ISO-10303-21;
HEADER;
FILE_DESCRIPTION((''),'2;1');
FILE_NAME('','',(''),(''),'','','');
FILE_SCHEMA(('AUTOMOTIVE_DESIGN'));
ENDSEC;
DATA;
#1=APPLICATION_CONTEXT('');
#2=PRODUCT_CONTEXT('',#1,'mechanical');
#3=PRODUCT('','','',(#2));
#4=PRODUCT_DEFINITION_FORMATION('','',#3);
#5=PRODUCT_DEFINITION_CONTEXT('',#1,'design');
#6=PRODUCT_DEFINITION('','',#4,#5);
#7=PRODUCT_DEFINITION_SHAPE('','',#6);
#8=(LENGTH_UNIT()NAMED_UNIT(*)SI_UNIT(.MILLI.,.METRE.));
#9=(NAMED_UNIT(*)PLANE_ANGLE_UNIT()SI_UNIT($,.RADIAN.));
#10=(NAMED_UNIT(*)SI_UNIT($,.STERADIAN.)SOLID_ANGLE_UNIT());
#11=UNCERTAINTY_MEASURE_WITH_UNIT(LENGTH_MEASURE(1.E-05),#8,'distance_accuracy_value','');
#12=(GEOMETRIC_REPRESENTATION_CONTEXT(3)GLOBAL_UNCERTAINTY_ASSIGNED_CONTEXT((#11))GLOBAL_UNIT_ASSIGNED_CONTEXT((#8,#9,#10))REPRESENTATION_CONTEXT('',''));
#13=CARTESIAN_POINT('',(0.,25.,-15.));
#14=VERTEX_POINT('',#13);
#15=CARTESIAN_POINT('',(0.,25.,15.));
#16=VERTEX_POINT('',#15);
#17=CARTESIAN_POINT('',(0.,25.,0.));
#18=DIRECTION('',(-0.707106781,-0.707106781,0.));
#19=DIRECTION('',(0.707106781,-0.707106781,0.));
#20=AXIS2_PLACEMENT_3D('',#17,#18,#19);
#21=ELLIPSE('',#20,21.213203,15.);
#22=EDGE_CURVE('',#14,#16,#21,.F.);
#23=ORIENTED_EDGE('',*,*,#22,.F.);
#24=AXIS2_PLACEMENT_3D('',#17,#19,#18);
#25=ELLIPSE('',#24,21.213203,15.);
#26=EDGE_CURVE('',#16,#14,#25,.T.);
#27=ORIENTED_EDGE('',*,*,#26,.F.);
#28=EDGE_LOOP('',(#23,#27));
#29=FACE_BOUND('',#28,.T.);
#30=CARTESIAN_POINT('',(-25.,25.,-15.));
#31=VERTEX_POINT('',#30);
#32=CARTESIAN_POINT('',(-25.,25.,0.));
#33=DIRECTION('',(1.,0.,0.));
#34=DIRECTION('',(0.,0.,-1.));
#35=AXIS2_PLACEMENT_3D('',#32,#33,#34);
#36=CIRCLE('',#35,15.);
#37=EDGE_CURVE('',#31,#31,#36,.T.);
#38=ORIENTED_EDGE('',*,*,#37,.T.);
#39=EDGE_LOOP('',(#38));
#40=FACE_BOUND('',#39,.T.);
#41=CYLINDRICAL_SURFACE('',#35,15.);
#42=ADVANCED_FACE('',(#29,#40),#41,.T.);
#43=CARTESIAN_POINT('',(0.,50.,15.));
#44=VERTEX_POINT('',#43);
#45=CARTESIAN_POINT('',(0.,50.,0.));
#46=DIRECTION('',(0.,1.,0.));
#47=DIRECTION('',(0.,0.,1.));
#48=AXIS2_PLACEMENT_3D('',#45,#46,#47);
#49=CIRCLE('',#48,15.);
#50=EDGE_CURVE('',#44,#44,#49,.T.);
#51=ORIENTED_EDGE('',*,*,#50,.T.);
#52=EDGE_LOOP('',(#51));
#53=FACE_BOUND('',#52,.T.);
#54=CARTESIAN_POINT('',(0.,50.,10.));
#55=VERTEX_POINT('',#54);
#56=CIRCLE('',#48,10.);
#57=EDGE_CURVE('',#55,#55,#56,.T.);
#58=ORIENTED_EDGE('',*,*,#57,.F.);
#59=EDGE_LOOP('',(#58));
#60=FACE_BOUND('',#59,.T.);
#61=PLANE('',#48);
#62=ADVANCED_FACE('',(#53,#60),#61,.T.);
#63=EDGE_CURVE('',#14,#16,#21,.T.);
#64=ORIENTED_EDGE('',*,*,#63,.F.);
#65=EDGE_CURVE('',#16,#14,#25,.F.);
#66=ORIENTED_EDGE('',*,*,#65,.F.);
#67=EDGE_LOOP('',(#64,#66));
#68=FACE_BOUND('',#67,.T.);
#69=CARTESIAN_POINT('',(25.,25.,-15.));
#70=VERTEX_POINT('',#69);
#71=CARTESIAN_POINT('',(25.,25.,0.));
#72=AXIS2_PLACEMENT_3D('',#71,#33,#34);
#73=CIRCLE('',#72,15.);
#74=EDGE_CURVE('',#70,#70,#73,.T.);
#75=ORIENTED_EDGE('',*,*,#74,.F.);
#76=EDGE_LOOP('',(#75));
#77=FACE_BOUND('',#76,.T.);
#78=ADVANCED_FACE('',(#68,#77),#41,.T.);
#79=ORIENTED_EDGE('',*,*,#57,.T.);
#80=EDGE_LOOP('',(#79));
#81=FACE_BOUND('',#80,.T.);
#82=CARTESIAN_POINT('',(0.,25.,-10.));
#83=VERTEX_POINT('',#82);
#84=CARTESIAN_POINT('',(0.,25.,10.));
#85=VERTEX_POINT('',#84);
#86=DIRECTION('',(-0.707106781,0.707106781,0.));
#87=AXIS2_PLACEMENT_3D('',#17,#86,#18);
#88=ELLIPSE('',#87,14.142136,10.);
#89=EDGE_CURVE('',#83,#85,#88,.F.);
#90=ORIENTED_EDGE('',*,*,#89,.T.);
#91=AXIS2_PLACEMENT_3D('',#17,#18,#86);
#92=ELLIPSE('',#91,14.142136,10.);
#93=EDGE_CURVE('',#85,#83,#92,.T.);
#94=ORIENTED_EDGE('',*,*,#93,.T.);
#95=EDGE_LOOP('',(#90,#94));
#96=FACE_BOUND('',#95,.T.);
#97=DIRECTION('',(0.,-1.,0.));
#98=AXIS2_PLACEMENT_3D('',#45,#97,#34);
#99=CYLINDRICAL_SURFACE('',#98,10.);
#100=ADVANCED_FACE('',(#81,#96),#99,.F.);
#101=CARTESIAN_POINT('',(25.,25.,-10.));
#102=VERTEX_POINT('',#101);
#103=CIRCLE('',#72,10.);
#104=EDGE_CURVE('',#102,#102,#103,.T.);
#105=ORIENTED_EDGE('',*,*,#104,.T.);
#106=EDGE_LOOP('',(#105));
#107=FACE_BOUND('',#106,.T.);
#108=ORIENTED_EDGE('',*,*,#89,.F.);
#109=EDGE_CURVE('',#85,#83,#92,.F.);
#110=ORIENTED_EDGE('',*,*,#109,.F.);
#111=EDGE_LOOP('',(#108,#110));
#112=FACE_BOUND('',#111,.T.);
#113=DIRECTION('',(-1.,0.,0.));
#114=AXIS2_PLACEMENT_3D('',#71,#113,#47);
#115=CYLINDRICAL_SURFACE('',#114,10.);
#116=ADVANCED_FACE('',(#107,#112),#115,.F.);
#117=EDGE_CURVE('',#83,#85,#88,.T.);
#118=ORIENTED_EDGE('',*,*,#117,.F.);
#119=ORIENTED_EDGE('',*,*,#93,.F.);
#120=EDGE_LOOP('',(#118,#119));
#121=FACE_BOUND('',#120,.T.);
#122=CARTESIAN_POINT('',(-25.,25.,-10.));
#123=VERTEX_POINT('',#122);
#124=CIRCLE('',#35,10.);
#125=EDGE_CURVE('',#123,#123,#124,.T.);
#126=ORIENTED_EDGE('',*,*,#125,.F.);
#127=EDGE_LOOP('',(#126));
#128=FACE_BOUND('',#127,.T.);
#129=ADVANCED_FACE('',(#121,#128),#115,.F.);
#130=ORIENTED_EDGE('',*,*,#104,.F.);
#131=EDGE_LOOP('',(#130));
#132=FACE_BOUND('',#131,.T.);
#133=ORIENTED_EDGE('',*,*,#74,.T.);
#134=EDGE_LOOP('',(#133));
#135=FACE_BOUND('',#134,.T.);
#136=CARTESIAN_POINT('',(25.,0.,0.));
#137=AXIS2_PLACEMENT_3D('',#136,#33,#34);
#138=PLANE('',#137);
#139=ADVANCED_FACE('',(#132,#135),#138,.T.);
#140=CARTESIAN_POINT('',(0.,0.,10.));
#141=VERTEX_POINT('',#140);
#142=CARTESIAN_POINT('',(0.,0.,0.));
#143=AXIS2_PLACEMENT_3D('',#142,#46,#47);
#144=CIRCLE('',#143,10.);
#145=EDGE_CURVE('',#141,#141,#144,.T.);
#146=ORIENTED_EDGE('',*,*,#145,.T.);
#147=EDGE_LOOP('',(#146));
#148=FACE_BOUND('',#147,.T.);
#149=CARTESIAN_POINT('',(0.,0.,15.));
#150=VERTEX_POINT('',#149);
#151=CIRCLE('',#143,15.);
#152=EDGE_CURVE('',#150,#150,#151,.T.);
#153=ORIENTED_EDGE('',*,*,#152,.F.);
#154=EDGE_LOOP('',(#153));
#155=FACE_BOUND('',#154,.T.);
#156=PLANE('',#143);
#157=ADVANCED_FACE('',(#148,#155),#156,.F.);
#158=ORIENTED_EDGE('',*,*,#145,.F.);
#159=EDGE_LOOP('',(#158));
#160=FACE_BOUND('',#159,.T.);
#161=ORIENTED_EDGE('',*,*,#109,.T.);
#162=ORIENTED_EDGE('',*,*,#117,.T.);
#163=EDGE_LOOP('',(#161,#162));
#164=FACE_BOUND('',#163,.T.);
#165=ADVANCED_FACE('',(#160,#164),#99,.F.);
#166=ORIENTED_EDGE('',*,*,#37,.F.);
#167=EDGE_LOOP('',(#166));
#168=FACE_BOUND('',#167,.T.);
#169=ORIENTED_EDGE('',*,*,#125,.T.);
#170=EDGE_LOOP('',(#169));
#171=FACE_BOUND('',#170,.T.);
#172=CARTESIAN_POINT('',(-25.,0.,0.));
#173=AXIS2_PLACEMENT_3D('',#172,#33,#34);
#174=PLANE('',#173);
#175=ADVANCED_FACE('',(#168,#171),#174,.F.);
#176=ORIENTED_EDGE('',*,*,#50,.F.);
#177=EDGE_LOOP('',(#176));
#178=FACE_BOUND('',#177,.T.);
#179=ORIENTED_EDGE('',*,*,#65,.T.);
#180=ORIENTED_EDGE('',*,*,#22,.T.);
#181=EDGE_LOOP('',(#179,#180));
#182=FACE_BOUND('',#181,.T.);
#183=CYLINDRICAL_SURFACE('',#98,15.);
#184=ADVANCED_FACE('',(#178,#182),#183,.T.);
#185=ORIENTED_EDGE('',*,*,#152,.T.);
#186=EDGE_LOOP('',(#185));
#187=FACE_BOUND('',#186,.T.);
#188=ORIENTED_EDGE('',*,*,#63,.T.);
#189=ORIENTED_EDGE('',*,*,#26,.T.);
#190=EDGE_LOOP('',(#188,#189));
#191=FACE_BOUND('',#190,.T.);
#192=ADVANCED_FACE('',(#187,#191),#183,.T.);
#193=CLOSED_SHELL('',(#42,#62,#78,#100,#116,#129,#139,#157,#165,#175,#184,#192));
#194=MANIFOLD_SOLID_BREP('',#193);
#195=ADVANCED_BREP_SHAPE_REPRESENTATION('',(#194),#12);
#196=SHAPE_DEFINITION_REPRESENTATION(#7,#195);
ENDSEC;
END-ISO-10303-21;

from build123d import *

# Parameters (mm, degrees)
SKETCH_1_R               = 15
SKETCH_1_R_2             = 10
EXTRUDE_1_DEPTH          = 50
EXTRUDE_6_DEPTH          = 25
EXTRUDE_6_DEPTH_BACK     = 25
SKETCH_9_R               = 15
CUT_EXTRUDE_2_DEPTH      = 25
CUT_EXTRUDE_2_DEPTH_BACK = 25
SKETCH_10_R              = 10
CUT_EXTRUDE_3_DEPTH      = 58.8791846
CUT_EXTRUDE_3_DEPTH_BACK = 58.8791846
SKETCH_11_R              = 10


with BuildPart() as part:
    # 草图1 → 凸台-拉伸1 (new body)
    with BuildSketch(Plane(origin=(0, 0, 0), x_dir=(1, 0, 0), z_dir=(0, 1, 0))):
        Circle(SKETCH_1_R)
        Circle(SKETCH_1_R_2, mode=Mode.SUBTRACT)
    extrude(amount=EXTRUDE_1_DEPTH)

    # 草图9 → 凸台-拉伸6 (add, two sides: drawn at the far end of the back side and taken through both)
    with BuildSketch(Plane(origin=(0, 0, 0), x_dir=(0, 0, -1), z_dir=(1, 0, 0)).offset(-EXTRUDE_6_DEPTH_BACK)):
        with Locations((0, 25)):
            Circle(SKETCH_9_R)
    extrude(amount=EXTRUDE_6_DEPTH + EXTRUDE_6_DEPTH_BACK)

    # 草图10 → 切除-拉伸2 (cut, two sides: drawn at the far end of the back side and taken through both)
    with BuildSketch(Plane(origin=(0, 0, 0), x_dir=(0, 0, -1), z_dir=(1, 0, 0)).offset(-CUT_EXTRUDE_2_DEPTH_BACK)):
        with Locations((0, 25)):
            Circle(SKETCH_10_R)
    extrude(amount=CUT_EXTRUDE_2_DEPTH + CUT_EXTRUDE_2_DEPTH_BACK, mode=Mode.SUBTRACT)

    # 草图11 → 切除-拉伸3 (cut, two sides: drawn at the far end of the back side and taken through both)
    with BuildSketch(Plane(origin=(0, 0, 0), x_dir=(1, 0, 0), z_dir=(0, 1, 0)).offset(-CUT_EXTRUDE_3_DEPTH_BACK)):
        Circle(SKETCH_11_R)
    extrude(amount=CUT_EXTRUDE_3_DEPTH + CUT_EXTRUDE_3_DEPTH_BACK, mode=Mode.SUBTRACT)


solid = part.part
